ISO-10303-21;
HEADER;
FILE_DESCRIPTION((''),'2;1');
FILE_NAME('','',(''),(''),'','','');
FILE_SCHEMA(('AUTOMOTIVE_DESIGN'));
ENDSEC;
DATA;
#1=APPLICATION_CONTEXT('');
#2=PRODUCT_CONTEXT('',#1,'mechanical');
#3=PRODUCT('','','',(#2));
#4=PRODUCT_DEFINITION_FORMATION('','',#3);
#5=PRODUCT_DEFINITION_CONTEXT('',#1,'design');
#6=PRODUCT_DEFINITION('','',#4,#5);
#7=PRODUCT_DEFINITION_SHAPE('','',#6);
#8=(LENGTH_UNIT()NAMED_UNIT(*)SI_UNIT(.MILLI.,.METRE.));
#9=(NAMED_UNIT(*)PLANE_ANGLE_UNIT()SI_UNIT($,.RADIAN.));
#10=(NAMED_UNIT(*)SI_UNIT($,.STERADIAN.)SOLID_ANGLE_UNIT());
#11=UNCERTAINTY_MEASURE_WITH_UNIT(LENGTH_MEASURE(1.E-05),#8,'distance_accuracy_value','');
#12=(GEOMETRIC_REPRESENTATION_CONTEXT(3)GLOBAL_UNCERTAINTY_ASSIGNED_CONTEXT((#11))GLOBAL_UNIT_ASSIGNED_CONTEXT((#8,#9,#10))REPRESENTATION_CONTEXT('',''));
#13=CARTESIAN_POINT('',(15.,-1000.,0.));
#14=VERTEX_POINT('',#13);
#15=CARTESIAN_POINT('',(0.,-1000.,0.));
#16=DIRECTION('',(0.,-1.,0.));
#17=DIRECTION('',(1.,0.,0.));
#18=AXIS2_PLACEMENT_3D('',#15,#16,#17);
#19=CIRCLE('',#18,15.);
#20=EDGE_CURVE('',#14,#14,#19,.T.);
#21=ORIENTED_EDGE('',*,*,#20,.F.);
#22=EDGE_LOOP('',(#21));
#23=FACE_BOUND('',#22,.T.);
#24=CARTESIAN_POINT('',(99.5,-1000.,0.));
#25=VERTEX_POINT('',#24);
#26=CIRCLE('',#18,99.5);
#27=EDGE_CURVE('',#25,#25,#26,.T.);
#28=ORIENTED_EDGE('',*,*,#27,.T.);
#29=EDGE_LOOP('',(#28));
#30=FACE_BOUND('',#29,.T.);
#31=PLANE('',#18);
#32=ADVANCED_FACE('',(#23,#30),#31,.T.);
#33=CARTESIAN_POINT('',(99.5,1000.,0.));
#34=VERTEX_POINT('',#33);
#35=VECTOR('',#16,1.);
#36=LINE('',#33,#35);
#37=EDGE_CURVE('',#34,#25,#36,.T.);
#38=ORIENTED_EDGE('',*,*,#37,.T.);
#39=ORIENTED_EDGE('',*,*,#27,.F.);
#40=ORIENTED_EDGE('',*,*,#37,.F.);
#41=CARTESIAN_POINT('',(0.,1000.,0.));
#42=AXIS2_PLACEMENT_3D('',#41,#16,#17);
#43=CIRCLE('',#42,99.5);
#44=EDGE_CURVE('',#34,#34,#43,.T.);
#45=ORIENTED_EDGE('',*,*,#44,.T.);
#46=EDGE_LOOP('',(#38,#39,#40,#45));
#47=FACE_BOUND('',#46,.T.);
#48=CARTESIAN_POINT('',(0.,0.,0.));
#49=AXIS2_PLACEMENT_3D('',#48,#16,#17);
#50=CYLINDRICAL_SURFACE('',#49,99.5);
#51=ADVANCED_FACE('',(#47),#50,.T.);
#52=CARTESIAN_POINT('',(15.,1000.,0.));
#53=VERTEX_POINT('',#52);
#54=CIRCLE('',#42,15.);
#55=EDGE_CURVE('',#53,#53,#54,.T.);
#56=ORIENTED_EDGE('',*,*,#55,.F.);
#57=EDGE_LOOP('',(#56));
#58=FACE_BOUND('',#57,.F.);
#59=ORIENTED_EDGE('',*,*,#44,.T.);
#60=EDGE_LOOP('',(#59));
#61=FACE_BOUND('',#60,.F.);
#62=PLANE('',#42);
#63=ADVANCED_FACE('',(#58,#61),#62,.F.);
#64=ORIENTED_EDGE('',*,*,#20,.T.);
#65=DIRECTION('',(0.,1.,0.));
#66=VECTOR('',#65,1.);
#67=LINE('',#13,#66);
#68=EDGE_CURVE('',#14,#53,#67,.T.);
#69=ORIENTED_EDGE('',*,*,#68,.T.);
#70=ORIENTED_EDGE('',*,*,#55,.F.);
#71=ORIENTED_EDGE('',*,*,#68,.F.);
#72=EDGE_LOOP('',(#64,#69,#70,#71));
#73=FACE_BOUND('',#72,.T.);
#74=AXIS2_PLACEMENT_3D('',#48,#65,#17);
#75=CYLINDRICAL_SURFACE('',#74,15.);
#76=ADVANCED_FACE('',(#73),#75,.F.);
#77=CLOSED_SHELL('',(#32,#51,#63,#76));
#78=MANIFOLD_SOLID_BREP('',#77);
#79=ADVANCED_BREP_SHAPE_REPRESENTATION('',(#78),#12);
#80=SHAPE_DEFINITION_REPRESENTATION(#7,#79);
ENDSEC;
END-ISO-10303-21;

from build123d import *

# Parameters (mm, degrees)
F0_R     = 99.5
F0_R_2   = 53.4088434814
F0_R_3   = 15
F1_DEPTH = 1000


with BuildPart() as f1:
    # F0 (on Front) → F1 (new body, symmetric)
    with BuildSketch(Plane.XZ):
        Circle(F0_R)
        Circle(F0_R_2, mode=Mode.SUBTRACT)
        Circle(F0_R_2)
        Circle(F0_R_3, mode=Mode.SUBTRACT)
    extrude(amount=F1_DEPTH, both=True)


solid = f1.part
